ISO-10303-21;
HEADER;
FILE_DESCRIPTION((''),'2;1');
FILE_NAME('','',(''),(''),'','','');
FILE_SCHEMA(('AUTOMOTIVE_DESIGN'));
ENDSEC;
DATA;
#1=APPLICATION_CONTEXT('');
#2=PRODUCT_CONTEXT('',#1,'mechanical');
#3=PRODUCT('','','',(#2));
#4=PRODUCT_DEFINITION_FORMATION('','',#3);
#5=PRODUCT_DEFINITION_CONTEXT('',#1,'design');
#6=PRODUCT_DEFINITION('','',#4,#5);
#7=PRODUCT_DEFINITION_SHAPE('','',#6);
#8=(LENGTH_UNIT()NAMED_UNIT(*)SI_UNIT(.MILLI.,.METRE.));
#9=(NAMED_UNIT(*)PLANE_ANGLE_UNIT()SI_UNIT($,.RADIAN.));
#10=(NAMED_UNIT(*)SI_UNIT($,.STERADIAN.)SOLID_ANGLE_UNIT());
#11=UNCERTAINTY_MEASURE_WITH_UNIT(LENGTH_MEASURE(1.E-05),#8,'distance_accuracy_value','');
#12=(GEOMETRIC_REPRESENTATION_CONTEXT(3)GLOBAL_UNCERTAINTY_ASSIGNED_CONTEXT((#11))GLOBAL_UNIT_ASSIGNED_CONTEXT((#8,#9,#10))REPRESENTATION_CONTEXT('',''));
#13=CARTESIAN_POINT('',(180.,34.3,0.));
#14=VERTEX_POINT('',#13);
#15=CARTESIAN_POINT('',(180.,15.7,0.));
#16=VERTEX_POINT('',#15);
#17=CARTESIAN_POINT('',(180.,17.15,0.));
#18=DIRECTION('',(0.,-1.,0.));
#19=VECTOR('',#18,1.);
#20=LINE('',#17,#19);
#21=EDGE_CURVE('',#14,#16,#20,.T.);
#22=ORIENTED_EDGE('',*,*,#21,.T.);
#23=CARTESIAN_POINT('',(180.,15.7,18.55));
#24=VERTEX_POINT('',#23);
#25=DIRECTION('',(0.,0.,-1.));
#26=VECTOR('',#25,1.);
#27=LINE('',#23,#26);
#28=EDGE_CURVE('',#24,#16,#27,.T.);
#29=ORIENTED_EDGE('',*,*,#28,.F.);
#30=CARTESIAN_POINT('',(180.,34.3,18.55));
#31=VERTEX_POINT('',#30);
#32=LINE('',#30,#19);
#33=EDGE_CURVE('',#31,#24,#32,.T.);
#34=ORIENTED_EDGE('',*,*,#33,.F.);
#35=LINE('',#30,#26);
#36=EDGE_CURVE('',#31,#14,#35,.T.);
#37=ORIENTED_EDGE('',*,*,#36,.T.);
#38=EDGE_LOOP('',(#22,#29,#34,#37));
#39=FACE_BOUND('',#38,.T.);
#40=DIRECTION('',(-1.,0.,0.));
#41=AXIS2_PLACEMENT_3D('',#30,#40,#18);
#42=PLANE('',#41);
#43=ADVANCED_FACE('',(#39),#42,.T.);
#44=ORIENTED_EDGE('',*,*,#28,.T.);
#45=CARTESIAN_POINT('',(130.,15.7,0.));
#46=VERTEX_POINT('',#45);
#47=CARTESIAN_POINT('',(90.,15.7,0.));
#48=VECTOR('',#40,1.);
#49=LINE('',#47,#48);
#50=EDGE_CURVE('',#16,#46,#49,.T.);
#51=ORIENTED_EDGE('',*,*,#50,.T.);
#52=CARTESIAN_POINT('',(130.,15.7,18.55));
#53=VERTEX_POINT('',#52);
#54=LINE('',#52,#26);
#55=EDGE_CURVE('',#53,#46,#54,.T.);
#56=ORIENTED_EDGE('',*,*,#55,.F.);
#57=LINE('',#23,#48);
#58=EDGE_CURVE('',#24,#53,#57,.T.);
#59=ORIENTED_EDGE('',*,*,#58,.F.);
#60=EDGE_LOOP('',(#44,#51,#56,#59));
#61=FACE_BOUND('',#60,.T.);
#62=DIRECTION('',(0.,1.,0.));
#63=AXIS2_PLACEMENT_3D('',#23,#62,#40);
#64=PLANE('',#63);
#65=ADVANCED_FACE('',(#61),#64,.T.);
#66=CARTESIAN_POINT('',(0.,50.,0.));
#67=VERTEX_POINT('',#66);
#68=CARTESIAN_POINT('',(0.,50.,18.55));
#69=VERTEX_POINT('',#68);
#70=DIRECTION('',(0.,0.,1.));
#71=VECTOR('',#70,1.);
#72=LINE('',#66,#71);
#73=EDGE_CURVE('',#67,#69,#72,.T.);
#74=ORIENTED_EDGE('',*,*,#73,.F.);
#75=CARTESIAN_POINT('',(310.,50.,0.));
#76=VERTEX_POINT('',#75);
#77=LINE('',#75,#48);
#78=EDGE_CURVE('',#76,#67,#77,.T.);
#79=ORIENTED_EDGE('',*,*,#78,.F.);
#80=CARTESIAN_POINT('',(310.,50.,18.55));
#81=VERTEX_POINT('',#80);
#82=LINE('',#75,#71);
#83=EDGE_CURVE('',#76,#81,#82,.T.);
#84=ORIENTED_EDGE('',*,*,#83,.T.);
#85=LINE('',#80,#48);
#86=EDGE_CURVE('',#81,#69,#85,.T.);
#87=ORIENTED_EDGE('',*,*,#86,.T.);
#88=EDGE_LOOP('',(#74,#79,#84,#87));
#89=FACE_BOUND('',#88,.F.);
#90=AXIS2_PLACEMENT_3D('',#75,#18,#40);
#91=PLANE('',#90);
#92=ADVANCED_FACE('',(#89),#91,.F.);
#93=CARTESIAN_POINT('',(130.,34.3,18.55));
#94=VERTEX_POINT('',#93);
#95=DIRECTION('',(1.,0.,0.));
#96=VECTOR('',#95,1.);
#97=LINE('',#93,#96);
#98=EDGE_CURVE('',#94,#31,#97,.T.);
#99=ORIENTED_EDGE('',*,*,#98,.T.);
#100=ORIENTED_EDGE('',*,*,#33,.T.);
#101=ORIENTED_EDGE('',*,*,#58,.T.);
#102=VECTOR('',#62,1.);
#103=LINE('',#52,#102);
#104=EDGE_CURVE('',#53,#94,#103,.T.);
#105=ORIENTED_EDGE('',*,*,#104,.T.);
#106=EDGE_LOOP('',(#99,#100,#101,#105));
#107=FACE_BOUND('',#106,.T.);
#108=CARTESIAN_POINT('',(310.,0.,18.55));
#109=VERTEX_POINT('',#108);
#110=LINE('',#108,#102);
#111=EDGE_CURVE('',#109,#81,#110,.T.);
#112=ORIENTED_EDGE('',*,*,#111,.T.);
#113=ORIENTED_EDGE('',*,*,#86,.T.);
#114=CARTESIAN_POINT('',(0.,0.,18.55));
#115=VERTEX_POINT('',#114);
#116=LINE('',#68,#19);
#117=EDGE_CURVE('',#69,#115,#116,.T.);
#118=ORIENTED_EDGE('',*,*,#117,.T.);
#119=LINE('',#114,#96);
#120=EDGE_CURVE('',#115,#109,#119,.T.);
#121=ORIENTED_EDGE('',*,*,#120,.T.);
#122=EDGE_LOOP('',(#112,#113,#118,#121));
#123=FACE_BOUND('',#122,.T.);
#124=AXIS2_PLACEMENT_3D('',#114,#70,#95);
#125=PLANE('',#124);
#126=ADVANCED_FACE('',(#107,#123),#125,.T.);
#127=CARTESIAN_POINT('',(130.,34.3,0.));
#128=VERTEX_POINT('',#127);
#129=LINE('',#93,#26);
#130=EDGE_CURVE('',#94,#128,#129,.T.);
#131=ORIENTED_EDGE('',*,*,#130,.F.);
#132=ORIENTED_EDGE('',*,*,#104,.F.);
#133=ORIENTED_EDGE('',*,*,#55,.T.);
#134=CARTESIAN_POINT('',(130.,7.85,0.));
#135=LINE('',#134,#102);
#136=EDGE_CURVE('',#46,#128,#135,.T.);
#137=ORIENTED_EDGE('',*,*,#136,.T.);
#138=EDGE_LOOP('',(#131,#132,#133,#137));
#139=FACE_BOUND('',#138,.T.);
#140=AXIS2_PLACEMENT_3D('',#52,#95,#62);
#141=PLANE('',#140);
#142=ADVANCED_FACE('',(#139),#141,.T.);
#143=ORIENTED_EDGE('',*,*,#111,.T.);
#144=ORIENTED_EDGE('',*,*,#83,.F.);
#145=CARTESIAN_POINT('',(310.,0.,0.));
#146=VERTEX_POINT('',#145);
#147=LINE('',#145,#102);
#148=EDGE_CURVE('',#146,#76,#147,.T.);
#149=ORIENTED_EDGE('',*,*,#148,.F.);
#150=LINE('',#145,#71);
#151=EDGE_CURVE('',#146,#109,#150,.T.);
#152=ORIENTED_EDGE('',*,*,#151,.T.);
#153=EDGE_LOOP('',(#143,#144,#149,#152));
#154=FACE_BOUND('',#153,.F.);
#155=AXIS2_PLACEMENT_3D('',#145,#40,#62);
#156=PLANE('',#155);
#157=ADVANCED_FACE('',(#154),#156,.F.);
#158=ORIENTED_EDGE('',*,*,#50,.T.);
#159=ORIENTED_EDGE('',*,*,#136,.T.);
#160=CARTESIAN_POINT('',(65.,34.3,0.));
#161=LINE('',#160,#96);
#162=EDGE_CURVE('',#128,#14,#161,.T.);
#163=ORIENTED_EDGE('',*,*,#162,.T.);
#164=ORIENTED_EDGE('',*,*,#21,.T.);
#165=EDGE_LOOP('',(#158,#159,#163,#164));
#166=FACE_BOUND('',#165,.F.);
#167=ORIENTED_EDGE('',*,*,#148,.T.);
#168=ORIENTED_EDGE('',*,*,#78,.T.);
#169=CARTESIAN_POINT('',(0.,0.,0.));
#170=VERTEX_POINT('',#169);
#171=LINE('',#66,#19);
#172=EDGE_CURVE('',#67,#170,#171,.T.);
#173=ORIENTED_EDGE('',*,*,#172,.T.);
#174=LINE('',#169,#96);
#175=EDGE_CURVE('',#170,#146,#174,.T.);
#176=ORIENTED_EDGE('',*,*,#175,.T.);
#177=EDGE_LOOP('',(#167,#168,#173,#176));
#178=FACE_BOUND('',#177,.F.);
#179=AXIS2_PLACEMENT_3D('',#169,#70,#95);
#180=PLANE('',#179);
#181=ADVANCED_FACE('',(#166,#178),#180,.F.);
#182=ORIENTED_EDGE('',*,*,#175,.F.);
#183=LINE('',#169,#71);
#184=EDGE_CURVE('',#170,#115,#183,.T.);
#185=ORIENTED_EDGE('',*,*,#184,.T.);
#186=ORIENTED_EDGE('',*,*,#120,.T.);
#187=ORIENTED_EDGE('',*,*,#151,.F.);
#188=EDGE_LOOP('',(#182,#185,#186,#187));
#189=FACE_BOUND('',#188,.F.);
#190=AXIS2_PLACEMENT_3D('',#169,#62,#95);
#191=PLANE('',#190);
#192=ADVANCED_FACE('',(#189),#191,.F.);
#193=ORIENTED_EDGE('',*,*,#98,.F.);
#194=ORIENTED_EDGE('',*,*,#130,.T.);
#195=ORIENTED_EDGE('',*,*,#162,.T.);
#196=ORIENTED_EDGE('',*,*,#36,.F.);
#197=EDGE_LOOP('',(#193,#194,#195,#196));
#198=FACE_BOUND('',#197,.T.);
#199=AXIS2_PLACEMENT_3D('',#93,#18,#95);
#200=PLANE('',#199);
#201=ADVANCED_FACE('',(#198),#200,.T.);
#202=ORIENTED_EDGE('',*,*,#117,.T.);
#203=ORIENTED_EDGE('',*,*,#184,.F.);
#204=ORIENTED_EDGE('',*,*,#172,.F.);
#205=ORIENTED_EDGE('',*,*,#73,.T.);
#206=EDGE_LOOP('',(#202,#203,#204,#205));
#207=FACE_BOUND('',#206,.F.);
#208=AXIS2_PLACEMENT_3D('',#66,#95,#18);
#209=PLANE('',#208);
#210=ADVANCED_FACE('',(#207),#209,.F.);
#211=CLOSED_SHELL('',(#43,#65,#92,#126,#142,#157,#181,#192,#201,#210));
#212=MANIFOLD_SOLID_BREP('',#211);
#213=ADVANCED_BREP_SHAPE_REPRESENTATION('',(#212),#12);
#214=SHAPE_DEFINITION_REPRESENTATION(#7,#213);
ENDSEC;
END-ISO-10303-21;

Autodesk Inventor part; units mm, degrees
ref_plane "YZ Plane" through (0, 0, 0) normal (1, 0, 0) x (0, 1, 0)
ref_plane "XZ Plane" through (0, 0, 0) normal (0, 1, 0) x (-1, 0, 0)
ref_plane "XY Plane" through (0, 0, 0) normal (0, 0, 1) x (1, 0, 0)
sketch "Sketch1" plane through (0, 0, 0) normal (0, 0, 1) x (1, 0, 0)
  line L0 (0, 0) -> (310, 0)
  line L1 (310, 0) -> (310, 50)
  line L2 (310, 50) -> (0, 50)
  line L3 (0, 50) -> (0, 0)
  dimension "d0" = 310
  dimension "d1" = 50
extrude "Extrusion1" add sketch "Sketch1" along normal blind 18.55
sketch "Sketch2" plane through (0, 0, 18.55) normal (0, 0, 1) x (1, 0, 0)
  line L0 (130, 34.3) -> (180, 34.3)
  line L1 (180, 34.3) -> (180, 15.7)
  line L2 (180, 15.7) -> (130, 15.7)
  line L3 (130, 15.7) -> (130, 34.3)
  line L4 (130, 25) -> (0, 25) construction
  line L5 (0, 50) -> (0, 0) projected
  line L6 (180, 25) -> (310, 25) construction
  line L7 (310, 0) -> (310, 50) projected
  dimension "d4" = 18.6
  dimension "d5" = 50
extrude "Extrusion2" cut sketch "Sketch2" against normal blind 20
properties part number "mobile_table_bottom"
